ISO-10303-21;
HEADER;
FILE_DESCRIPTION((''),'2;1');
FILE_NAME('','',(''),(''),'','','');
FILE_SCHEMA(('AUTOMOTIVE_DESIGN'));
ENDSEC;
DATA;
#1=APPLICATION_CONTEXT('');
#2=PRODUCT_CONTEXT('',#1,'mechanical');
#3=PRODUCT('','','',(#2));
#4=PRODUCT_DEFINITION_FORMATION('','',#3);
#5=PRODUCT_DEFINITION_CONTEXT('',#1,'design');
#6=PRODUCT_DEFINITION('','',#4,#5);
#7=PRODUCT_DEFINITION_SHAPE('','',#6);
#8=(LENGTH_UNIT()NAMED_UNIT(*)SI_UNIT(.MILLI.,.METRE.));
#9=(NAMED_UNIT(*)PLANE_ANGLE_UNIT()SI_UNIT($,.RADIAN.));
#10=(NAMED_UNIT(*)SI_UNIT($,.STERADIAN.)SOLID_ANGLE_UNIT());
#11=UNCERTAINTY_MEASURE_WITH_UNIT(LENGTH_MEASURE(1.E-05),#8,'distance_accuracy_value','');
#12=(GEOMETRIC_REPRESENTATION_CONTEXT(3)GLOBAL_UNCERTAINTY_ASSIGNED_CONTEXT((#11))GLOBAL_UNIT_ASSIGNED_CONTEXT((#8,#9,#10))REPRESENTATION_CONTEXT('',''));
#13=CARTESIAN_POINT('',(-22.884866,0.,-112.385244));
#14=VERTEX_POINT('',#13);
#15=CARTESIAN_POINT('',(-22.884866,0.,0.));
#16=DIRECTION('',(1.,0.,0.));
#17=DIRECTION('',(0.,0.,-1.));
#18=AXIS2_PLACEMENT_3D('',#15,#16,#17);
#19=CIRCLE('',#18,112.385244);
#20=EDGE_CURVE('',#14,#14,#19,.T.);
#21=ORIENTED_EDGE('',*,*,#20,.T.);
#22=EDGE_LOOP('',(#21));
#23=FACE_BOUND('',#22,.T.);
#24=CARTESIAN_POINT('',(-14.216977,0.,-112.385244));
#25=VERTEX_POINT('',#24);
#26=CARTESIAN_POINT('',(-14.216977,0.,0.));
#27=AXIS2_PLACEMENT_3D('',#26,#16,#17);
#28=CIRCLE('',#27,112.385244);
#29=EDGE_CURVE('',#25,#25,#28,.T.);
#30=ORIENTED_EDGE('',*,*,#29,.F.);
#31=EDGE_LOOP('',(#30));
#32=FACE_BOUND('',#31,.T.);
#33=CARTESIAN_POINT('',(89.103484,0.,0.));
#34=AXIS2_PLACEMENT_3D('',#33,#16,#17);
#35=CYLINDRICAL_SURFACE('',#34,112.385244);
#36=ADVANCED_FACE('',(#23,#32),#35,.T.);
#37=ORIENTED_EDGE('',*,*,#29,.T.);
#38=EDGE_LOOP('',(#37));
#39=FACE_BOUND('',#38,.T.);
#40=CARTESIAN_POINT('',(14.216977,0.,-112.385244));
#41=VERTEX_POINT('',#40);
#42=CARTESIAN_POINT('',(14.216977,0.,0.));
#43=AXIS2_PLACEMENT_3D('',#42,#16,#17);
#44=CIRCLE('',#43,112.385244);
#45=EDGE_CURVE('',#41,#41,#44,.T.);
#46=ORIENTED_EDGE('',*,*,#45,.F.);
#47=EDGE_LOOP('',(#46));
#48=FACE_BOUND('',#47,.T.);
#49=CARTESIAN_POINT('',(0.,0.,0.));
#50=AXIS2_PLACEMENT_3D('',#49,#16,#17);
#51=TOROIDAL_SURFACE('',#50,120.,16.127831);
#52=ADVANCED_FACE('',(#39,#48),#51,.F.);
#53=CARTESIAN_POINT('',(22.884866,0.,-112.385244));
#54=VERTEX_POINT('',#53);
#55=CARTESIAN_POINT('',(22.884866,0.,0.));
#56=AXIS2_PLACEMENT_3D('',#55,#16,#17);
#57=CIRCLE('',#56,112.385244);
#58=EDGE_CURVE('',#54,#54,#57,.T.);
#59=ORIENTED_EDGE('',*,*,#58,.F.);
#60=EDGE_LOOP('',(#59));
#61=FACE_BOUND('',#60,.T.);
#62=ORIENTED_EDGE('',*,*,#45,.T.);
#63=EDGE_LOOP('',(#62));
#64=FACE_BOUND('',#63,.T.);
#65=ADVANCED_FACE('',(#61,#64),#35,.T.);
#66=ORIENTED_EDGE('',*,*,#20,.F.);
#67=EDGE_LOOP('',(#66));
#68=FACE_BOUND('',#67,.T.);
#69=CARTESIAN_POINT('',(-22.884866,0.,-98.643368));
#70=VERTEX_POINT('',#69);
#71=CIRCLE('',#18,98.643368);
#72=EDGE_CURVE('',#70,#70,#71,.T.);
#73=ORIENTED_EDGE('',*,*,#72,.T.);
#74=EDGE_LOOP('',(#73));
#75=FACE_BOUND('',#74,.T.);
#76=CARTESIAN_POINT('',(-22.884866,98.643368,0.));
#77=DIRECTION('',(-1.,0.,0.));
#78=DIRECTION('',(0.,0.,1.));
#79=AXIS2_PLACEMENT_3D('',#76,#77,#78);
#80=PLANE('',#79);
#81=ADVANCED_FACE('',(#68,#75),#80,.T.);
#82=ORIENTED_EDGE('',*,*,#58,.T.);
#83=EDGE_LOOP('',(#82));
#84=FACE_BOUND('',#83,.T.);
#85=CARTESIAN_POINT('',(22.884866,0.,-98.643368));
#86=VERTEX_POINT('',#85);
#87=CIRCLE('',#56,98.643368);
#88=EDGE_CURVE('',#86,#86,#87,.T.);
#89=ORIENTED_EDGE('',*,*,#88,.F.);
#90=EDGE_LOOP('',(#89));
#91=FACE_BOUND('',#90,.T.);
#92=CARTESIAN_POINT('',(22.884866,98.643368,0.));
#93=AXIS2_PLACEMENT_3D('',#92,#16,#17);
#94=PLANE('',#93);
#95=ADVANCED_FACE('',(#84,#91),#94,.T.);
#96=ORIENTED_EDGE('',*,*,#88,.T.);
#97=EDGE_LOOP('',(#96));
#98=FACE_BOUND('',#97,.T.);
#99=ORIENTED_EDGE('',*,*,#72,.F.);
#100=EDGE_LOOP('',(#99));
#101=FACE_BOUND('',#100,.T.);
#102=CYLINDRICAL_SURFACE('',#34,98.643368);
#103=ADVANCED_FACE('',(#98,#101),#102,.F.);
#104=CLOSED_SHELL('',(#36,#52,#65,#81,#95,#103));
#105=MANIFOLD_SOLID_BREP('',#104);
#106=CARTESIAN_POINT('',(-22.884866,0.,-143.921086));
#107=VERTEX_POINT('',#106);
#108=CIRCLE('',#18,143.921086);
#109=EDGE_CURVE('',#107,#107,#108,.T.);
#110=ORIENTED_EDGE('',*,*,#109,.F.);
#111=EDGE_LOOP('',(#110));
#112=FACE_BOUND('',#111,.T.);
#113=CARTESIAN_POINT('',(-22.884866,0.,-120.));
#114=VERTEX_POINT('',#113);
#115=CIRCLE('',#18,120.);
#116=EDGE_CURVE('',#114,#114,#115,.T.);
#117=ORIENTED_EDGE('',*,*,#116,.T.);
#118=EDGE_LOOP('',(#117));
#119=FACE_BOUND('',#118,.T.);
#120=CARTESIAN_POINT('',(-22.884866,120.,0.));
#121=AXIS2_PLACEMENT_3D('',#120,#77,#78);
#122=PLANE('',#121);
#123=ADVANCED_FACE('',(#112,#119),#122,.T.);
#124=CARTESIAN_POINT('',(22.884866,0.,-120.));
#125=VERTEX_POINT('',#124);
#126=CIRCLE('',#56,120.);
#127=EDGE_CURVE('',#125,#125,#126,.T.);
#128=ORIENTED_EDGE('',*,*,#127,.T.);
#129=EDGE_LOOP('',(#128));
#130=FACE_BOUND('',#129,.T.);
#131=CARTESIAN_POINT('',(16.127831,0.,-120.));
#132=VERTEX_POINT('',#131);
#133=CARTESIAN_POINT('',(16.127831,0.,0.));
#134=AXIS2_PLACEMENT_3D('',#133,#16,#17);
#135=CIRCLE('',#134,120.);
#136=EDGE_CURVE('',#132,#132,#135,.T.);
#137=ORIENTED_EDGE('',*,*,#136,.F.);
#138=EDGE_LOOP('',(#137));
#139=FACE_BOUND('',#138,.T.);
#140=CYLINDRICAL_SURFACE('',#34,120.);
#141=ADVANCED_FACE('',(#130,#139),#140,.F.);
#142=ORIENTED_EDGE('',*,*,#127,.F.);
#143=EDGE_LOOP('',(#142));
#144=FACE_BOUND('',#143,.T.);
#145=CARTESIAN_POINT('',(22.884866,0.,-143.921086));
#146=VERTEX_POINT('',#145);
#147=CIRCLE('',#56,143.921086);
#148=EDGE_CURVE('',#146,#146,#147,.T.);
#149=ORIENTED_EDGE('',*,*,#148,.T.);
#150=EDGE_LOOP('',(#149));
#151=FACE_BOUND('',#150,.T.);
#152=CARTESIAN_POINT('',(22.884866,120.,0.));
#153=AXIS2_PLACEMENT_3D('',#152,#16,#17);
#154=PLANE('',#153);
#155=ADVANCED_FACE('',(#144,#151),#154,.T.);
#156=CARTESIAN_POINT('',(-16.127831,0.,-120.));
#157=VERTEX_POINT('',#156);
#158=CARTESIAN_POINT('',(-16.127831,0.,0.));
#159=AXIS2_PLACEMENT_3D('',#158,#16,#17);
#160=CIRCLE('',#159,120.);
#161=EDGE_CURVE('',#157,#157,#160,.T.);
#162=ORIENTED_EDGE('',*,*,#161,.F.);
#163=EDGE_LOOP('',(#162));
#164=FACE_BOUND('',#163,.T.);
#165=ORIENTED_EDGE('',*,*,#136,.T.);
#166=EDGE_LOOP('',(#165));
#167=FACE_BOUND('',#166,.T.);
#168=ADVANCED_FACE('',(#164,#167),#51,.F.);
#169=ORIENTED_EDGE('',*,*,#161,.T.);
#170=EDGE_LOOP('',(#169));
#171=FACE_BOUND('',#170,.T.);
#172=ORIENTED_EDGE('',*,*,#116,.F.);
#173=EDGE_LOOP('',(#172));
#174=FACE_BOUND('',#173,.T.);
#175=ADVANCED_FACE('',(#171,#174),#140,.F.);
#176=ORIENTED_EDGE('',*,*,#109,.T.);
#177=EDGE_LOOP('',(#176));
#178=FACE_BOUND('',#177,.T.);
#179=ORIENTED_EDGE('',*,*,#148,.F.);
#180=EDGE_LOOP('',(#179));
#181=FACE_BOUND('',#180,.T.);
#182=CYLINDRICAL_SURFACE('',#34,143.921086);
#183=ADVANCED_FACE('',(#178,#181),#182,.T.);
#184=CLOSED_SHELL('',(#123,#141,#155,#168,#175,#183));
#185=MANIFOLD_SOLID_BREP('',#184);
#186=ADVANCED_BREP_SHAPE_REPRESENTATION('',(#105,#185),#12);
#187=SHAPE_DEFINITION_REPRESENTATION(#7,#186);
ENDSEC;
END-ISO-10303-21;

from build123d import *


with BuildPart() as part:
    # Sketch1 → Revolve5 (revolve)
    with BuildSketch(Plane.XY):
        with BuildLine():
            Line((-16.127831396, 120), (-22.884866264, 120))
            Line((-22.884866264, 120), (-22.884866264, 143.921086162))
            Line((-22.884866264, 143.921086162), (22.884866264, 143.921086162))
            Line((22.884866264, 143.921086162), (22.884866264, 120))
            Line((22.884866264, 120), (16.127831396, 120))
            ThreePointArc((16.127831396, 120), (0, 136.127831396), (-16.127831396, 120))
        make_face()
        with BuildLine():
            Line((22.884866264, 98.643368221), (-22.884866264, 98.643368221))
            Line((-22.884866264, 98.643368221), (-22.884866264, 112.385243705))
            Line((-22.884866264, 112.385243705), (-14.216976898, 112.385243705))
            ThreePointArc((-14.216976898, 112.385243705), (0, 103.872168604), (14.216976898, 112.385243705))
            Line((14.216976898, 112.385243705), (22.884866264, 112.385243705))
            Line((22.884866264, 112.385243705), (22.884866264, 98.643368221))
        make_face()
    revolve(axis=Axis((89.103484186, 0, 0), (-1, 0, 0)))


solid = part.part
